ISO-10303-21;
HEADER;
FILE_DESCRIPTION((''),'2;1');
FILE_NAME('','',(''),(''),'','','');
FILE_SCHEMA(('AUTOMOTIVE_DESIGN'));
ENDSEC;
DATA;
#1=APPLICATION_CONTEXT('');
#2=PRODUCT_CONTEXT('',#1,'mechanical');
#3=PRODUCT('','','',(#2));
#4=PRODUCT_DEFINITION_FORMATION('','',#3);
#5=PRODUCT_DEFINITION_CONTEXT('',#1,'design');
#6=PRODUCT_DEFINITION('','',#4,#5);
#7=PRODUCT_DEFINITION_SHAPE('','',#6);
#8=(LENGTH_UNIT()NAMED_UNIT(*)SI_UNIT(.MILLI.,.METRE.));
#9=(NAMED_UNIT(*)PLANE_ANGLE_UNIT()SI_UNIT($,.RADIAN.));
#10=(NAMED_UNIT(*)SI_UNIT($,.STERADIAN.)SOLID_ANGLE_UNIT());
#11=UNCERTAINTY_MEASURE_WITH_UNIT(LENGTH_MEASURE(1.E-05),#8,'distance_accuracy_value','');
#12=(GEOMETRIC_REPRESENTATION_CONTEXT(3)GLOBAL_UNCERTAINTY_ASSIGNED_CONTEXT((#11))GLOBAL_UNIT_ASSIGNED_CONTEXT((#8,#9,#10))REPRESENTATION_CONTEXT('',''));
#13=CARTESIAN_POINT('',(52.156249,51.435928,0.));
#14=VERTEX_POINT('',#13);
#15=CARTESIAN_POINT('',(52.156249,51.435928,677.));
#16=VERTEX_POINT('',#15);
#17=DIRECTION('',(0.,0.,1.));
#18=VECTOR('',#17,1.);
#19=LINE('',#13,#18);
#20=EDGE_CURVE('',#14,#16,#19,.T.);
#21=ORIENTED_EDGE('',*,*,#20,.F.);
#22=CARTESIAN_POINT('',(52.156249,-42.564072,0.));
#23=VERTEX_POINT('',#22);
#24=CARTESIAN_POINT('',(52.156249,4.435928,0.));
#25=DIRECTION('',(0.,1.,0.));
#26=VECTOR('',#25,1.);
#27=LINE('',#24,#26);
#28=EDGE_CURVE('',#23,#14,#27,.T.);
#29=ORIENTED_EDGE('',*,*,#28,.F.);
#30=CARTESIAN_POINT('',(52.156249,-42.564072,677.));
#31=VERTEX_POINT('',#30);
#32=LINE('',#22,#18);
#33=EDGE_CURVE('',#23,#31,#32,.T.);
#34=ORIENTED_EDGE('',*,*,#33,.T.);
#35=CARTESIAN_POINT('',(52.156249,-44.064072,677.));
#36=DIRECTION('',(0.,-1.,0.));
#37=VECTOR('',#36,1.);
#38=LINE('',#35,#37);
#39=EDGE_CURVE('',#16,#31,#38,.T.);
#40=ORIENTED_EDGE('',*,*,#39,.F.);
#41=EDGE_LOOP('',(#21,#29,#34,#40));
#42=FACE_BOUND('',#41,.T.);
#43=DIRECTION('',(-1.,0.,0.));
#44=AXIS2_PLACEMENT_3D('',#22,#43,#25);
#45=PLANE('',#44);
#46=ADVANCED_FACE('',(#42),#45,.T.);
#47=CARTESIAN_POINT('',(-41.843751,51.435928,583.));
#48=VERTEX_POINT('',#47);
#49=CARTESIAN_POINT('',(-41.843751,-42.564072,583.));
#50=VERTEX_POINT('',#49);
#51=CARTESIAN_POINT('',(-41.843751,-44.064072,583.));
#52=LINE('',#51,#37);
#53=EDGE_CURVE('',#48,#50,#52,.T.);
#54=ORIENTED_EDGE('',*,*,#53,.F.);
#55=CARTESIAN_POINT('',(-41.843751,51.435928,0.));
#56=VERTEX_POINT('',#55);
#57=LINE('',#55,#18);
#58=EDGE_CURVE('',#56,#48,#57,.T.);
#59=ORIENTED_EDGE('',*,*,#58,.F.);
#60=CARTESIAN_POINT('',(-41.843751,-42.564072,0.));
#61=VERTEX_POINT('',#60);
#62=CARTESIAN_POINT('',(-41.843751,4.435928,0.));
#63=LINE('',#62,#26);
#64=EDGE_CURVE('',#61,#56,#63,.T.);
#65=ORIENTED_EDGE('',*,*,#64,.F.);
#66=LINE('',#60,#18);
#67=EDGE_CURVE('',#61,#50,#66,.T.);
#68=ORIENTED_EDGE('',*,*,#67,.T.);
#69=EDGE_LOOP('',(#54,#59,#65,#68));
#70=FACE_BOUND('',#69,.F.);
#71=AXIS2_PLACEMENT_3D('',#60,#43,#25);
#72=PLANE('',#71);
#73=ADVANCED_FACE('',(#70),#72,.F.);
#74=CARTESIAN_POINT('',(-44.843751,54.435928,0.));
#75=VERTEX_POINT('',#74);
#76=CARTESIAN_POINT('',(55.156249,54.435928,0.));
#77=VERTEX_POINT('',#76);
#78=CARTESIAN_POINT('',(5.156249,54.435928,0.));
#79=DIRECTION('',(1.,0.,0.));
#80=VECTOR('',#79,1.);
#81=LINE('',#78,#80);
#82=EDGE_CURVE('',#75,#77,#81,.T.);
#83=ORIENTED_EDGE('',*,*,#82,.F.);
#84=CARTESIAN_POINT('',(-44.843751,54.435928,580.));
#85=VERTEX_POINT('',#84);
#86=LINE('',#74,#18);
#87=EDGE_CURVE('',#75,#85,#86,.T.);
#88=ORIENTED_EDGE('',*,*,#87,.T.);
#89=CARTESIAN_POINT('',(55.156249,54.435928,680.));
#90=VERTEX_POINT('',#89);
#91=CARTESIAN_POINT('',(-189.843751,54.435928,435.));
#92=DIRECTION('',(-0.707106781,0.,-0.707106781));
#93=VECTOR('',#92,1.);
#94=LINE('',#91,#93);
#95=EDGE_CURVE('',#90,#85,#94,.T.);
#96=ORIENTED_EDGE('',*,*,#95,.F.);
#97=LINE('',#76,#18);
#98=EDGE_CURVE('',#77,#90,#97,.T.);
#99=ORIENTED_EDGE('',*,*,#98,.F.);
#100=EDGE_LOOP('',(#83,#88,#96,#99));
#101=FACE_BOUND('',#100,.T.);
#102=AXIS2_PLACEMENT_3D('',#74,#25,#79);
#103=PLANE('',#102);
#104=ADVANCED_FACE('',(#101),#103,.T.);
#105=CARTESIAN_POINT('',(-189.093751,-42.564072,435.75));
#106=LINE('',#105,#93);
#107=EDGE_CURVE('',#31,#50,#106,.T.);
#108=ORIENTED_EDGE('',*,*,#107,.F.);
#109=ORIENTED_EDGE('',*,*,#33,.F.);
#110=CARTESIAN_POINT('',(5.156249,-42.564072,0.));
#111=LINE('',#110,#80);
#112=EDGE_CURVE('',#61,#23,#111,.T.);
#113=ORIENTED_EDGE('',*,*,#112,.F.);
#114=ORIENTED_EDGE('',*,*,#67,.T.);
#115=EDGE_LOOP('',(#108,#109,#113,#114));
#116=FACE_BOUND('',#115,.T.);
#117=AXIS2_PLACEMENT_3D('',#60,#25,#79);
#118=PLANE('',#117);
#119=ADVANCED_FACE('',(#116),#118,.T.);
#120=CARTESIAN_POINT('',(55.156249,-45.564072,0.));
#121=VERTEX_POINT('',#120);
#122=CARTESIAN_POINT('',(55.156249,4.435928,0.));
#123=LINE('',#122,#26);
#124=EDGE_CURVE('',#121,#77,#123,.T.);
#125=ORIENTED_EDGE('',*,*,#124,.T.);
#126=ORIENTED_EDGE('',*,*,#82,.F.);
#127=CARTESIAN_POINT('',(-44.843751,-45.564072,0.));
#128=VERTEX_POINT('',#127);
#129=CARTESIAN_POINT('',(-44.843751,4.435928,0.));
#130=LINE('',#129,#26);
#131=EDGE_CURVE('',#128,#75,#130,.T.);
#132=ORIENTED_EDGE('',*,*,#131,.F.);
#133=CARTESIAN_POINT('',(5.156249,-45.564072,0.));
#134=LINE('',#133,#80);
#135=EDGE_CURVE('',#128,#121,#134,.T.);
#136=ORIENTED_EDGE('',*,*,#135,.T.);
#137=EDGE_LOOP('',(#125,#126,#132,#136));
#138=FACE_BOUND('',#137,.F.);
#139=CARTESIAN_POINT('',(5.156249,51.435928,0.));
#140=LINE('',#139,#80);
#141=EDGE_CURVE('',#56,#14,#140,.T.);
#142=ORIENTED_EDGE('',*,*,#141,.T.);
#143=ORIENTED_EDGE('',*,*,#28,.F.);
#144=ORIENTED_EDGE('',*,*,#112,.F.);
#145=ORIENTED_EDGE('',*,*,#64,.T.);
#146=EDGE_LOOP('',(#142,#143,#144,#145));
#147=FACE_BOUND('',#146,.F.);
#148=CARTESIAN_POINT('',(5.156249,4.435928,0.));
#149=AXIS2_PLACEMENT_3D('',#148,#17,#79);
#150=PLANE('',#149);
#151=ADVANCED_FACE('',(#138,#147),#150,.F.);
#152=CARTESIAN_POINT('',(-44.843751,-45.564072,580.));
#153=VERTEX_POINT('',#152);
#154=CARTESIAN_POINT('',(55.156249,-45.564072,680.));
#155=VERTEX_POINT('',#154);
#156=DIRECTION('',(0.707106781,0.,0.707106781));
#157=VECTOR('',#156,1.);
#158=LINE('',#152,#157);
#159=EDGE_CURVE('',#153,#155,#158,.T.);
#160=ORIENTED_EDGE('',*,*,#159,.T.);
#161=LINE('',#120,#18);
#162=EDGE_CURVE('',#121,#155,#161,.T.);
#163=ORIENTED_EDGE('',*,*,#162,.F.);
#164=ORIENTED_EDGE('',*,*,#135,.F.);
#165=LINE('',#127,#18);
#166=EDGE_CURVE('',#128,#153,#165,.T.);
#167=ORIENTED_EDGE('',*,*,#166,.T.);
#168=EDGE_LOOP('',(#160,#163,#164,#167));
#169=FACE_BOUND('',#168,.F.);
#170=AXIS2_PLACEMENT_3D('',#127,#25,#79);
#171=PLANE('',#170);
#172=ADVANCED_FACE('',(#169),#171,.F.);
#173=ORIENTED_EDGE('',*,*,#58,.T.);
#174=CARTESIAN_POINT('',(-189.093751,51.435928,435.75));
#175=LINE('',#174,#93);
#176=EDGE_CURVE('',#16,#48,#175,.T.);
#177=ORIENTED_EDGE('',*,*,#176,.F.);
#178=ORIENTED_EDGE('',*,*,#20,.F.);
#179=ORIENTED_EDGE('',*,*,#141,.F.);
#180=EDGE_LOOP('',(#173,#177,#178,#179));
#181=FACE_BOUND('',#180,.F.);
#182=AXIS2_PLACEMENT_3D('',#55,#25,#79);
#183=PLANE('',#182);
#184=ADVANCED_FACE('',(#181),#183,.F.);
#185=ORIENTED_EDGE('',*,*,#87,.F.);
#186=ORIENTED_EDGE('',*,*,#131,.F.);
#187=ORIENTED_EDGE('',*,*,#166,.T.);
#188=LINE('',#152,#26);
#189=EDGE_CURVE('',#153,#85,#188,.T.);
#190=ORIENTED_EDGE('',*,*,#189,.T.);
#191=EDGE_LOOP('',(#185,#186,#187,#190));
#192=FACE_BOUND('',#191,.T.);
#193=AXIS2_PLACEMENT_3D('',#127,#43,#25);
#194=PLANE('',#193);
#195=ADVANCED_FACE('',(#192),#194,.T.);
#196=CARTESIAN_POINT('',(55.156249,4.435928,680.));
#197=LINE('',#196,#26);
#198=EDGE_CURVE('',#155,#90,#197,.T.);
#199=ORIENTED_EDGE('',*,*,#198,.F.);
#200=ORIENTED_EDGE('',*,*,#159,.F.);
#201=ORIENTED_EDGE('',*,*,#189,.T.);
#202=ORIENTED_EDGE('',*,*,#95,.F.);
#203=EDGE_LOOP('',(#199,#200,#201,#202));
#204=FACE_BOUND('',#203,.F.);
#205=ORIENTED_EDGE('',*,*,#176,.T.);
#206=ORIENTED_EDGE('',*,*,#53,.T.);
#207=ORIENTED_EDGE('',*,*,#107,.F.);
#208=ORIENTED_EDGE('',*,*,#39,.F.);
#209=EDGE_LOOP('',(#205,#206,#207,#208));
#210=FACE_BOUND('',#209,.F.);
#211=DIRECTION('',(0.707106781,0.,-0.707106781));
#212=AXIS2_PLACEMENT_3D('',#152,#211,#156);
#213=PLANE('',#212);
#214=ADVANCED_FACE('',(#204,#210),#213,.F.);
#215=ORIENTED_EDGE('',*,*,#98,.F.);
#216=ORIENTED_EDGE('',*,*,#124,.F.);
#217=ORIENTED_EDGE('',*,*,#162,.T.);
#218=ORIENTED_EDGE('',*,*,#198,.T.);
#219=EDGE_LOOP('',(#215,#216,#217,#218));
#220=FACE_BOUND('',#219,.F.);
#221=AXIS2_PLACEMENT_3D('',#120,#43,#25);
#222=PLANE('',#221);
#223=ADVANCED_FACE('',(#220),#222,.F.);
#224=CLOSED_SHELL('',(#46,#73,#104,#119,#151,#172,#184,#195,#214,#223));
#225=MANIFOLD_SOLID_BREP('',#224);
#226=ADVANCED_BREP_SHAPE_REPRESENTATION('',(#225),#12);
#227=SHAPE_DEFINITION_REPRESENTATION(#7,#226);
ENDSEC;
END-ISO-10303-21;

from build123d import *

# Parameters (mm, degrees)
F0_W     = 100
F0_H     = 100
F0_W_2   = 94
F0_H_2   = 94
F1_DEPTH = 680
F3_DEPTH = 110


with BuildPart() as f1:
    # F0 (on Top) → F1 (new body)
    with BuildSketch(Plane.XY):
        with Locations((5.156249, 4.435928)):
            Rectangle(F0_W, F0_H)
        with Locations((5.156249, 4.435928)):
            Rectangle(F0_W_2, F0_H_2, mode=Mode.SUBTRACT)
    extrude(amount=F1_DEPTH)

    # F2 (on face) → F3 (cut)
    with BuildSketch(Plane.XZ.offset(45.564072)):
        Polygon((-44.843751, 580), (55.156249, 680), (-44.843751, 680), align=None)
    extrude(amount=-F3_DEPTH, mode=Mode.SUBTRACT)


solid = f1.part
